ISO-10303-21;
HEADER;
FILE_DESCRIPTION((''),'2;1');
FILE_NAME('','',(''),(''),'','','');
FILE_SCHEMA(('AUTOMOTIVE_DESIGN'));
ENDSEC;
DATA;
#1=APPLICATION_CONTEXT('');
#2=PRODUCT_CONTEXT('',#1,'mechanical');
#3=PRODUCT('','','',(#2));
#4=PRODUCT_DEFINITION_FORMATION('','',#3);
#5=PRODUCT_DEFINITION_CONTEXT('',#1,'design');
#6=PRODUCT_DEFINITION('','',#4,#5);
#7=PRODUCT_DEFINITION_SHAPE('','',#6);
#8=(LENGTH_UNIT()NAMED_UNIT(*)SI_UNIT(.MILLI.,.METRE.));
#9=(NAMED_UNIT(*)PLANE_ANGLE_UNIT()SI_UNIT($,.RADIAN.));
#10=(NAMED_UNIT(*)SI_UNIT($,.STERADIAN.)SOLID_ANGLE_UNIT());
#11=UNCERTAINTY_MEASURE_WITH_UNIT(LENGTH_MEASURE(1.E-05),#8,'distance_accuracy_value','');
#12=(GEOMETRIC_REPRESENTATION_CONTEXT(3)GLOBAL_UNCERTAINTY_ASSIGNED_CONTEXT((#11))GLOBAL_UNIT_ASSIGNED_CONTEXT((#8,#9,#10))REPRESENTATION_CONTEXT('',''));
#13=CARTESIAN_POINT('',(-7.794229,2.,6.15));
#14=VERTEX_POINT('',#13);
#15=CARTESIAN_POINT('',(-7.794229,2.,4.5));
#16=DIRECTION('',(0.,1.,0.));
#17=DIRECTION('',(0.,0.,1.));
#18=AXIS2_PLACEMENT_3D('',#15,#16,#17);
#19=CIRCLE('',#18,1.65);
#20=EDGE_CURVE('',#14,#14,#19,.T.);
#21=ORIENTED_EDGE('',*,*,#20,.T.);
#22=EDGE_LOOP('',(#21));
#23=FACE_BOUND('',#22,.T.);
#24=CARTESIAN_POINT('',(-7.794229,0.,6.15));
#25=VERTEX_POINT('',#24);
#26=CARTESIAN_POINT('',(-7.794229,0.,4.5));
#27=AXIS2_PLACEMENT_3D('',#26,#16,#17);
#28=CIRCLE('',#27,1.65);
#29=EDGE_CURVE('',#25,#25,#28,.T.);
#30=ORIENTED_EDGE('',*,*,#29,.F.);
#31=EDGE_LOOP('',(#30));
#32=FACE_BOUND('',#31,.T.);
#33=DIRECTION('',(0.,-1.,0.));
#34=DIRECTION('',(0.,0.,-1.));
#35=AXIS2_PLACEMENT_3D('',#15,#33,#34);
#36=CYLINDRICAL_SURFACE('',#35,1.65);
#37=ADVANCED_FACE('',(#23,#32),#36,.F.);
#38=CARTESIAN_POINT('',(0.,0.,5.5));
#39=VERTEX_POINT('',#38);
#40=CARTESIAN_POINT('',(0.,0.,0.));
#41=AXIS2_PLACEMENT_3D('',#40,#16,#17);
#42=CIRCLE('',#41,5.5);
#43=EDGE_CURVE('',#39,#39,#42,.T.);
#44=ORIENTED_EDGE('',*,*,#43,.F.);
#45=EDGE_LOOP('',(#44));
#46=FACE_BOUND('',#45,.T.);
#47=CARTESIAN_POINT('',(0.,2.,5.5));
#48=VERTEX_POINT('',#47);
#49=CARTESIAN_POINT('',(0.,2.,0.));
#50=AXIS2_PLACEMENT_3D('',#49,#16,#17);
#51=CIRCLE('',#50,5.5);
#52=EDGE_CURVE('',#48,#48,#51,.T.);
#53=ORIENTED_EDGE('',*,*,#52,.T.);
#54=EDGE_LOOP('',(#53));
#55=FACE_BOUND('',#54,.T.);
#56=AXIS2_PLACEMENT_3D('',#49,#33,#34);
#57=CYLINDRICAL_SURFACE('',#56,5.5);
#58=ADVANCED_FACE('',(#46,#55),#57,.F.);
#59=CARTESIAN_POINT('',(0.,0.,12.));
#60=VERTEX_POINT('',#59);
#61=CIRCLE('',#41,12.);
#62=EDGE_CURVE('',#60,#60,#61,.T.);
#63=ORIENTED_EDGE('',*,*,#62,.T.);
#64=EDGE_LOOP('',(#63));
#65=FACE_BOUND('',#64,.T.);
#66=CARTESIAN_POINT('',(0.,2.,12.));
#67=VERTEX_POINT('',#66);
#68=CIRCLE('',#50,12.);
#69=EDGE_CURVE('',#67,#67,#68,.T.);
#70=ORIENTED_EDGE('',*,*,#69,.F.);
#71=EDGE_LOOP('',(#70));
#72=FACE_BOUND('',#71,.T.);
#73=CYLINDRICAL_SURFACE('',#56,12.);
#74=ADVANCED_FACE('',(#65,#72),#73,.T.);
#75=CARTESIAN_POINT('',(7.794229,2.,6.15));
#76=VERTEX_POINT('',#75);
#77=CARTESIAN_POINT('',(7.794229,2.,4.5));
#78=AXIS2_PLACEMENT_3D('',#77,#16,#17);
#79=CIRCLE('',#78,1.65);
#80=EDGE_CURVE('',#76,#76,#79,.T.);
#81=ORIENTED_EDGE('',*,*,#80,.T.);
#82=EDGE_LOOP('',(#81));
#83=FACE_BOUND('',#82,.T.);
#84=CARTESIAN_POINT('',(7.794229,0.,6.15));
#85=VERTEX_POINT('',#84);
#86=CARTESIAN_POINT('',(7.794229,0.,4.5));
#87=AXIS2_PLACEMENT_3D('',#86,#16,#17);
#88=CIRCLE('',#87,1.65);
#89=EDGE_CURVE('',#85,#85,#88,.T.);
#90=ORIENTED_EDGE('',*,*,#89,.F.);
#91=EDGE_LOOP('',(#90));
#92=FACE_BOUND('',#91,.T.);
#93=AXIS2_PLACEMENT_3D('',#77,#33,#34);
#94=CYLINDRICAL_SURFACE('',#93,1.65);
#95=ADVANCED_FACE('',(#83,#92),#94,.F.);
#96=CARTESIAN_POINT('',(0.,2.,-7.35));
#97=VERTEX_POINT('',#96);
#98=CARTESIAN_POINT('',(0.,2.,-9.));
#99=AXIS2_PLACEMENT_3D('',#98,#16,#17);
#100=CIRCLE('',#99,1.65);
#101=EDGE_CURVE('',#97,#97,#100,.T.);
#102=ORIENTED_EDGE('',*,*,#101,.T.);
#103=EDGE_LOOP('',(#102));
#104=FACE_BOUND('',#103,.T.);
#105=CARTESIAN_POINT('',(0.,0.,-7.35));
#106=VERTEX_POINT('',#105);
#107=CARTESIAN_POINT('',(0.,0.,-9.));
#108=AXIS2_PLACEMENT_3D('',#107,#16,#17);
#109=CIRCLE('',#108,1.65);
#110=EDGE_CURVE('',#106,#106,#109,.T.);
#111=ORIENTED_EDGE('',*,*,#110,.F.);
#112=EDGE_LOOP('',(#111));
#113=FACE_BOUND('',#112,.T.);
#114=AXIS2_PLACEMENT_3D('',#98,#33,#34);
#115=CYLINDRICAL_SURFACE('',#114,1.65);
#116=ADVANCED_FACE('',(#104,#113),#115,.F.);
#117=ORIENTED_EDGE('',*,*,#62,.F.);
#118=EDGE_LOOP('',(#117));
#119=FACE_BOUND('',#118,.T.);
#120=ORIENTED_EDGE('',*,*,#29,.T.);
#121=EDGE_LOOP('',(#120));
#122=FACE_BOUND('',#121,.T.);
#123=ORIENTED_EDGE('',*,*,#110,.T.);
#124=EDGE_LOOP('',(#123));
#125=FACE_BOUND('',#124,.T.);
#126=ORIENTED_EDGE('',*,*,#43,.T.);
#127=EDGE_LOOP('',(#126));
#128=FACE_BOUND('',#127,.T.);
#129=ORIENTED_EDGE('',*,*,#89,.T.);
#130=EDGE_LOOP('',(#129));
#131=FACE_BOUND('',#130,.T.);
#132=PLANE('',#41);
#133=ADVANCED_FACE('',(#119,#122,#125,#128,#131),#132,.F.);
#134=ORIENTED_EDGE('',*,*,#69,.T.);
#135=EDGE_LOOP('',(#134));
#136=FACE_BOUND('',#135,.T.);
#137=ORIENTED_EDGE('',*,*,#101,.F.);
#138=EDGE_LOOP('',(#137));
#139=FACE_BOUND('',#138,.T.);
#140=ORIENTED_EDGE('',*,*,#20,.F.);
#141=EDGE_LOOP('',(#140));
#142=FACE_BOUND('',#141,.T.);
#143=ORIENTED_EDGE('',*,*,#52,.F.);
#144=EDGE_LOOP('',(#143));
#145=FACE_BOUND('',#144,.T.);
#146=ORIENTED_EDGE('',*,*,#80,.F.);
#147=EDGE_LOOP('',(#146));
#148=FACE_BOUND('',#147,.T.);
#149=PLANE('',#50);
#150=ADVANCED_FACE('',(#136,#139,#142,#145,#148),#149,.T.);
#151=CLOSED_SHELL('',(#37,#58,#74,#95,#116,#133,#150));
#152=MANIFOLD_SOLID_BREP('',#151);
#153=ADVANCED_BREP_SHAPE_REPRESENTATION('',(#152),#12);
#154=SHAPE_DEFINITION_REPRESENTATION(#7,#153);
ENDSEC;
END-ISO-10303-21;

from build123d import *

# Parameters (mm, degrees)
SKETCH_1_R      = 12
SKETCH_1_R_2    = 1.65
SKETCH_1_R_3    = 5.5
EXTRUDE_1_DEPTH = 2


with BuildPart() as part:
    # Эскиз1 → Бобышка-Вытянуть1 (new body)
    with BuildSketch(Plane(origin=(0, 0, 0), x_dir=(1, 0, 0), z_dir=(0, 1, 0))):
        with Locations(Location((0, 0, 0), (0, 0, 270))):
            Circle(SKETCH_1_R)
        with Locations(Location((0, 9, 0), (0, 0, 270))):
            Circle(SKETCH_1_R_2, mode=Mode.SUBTRACT)
        with Locations(Location((7.794228634, -4.5, 0), (0, 0, 270))):
            Circle(SKETCH_1_R_2, mode=Mode.SUBTRACT)
        with Locations(Location((-7.794228634, -4.5, 0), (0, 0, 270))):
            Circle(SKETCH_1_R_2, mode=Mode.SUBTRACT)
        with Locations(Location((0, 0, 0), (0, 0, 270))):
            Circle(SKETCH_1_R_3, mode=Mode.SUBTRACT)
    extrude(amount=EXTRUDE_1_DEPTH)


solid = part.part
